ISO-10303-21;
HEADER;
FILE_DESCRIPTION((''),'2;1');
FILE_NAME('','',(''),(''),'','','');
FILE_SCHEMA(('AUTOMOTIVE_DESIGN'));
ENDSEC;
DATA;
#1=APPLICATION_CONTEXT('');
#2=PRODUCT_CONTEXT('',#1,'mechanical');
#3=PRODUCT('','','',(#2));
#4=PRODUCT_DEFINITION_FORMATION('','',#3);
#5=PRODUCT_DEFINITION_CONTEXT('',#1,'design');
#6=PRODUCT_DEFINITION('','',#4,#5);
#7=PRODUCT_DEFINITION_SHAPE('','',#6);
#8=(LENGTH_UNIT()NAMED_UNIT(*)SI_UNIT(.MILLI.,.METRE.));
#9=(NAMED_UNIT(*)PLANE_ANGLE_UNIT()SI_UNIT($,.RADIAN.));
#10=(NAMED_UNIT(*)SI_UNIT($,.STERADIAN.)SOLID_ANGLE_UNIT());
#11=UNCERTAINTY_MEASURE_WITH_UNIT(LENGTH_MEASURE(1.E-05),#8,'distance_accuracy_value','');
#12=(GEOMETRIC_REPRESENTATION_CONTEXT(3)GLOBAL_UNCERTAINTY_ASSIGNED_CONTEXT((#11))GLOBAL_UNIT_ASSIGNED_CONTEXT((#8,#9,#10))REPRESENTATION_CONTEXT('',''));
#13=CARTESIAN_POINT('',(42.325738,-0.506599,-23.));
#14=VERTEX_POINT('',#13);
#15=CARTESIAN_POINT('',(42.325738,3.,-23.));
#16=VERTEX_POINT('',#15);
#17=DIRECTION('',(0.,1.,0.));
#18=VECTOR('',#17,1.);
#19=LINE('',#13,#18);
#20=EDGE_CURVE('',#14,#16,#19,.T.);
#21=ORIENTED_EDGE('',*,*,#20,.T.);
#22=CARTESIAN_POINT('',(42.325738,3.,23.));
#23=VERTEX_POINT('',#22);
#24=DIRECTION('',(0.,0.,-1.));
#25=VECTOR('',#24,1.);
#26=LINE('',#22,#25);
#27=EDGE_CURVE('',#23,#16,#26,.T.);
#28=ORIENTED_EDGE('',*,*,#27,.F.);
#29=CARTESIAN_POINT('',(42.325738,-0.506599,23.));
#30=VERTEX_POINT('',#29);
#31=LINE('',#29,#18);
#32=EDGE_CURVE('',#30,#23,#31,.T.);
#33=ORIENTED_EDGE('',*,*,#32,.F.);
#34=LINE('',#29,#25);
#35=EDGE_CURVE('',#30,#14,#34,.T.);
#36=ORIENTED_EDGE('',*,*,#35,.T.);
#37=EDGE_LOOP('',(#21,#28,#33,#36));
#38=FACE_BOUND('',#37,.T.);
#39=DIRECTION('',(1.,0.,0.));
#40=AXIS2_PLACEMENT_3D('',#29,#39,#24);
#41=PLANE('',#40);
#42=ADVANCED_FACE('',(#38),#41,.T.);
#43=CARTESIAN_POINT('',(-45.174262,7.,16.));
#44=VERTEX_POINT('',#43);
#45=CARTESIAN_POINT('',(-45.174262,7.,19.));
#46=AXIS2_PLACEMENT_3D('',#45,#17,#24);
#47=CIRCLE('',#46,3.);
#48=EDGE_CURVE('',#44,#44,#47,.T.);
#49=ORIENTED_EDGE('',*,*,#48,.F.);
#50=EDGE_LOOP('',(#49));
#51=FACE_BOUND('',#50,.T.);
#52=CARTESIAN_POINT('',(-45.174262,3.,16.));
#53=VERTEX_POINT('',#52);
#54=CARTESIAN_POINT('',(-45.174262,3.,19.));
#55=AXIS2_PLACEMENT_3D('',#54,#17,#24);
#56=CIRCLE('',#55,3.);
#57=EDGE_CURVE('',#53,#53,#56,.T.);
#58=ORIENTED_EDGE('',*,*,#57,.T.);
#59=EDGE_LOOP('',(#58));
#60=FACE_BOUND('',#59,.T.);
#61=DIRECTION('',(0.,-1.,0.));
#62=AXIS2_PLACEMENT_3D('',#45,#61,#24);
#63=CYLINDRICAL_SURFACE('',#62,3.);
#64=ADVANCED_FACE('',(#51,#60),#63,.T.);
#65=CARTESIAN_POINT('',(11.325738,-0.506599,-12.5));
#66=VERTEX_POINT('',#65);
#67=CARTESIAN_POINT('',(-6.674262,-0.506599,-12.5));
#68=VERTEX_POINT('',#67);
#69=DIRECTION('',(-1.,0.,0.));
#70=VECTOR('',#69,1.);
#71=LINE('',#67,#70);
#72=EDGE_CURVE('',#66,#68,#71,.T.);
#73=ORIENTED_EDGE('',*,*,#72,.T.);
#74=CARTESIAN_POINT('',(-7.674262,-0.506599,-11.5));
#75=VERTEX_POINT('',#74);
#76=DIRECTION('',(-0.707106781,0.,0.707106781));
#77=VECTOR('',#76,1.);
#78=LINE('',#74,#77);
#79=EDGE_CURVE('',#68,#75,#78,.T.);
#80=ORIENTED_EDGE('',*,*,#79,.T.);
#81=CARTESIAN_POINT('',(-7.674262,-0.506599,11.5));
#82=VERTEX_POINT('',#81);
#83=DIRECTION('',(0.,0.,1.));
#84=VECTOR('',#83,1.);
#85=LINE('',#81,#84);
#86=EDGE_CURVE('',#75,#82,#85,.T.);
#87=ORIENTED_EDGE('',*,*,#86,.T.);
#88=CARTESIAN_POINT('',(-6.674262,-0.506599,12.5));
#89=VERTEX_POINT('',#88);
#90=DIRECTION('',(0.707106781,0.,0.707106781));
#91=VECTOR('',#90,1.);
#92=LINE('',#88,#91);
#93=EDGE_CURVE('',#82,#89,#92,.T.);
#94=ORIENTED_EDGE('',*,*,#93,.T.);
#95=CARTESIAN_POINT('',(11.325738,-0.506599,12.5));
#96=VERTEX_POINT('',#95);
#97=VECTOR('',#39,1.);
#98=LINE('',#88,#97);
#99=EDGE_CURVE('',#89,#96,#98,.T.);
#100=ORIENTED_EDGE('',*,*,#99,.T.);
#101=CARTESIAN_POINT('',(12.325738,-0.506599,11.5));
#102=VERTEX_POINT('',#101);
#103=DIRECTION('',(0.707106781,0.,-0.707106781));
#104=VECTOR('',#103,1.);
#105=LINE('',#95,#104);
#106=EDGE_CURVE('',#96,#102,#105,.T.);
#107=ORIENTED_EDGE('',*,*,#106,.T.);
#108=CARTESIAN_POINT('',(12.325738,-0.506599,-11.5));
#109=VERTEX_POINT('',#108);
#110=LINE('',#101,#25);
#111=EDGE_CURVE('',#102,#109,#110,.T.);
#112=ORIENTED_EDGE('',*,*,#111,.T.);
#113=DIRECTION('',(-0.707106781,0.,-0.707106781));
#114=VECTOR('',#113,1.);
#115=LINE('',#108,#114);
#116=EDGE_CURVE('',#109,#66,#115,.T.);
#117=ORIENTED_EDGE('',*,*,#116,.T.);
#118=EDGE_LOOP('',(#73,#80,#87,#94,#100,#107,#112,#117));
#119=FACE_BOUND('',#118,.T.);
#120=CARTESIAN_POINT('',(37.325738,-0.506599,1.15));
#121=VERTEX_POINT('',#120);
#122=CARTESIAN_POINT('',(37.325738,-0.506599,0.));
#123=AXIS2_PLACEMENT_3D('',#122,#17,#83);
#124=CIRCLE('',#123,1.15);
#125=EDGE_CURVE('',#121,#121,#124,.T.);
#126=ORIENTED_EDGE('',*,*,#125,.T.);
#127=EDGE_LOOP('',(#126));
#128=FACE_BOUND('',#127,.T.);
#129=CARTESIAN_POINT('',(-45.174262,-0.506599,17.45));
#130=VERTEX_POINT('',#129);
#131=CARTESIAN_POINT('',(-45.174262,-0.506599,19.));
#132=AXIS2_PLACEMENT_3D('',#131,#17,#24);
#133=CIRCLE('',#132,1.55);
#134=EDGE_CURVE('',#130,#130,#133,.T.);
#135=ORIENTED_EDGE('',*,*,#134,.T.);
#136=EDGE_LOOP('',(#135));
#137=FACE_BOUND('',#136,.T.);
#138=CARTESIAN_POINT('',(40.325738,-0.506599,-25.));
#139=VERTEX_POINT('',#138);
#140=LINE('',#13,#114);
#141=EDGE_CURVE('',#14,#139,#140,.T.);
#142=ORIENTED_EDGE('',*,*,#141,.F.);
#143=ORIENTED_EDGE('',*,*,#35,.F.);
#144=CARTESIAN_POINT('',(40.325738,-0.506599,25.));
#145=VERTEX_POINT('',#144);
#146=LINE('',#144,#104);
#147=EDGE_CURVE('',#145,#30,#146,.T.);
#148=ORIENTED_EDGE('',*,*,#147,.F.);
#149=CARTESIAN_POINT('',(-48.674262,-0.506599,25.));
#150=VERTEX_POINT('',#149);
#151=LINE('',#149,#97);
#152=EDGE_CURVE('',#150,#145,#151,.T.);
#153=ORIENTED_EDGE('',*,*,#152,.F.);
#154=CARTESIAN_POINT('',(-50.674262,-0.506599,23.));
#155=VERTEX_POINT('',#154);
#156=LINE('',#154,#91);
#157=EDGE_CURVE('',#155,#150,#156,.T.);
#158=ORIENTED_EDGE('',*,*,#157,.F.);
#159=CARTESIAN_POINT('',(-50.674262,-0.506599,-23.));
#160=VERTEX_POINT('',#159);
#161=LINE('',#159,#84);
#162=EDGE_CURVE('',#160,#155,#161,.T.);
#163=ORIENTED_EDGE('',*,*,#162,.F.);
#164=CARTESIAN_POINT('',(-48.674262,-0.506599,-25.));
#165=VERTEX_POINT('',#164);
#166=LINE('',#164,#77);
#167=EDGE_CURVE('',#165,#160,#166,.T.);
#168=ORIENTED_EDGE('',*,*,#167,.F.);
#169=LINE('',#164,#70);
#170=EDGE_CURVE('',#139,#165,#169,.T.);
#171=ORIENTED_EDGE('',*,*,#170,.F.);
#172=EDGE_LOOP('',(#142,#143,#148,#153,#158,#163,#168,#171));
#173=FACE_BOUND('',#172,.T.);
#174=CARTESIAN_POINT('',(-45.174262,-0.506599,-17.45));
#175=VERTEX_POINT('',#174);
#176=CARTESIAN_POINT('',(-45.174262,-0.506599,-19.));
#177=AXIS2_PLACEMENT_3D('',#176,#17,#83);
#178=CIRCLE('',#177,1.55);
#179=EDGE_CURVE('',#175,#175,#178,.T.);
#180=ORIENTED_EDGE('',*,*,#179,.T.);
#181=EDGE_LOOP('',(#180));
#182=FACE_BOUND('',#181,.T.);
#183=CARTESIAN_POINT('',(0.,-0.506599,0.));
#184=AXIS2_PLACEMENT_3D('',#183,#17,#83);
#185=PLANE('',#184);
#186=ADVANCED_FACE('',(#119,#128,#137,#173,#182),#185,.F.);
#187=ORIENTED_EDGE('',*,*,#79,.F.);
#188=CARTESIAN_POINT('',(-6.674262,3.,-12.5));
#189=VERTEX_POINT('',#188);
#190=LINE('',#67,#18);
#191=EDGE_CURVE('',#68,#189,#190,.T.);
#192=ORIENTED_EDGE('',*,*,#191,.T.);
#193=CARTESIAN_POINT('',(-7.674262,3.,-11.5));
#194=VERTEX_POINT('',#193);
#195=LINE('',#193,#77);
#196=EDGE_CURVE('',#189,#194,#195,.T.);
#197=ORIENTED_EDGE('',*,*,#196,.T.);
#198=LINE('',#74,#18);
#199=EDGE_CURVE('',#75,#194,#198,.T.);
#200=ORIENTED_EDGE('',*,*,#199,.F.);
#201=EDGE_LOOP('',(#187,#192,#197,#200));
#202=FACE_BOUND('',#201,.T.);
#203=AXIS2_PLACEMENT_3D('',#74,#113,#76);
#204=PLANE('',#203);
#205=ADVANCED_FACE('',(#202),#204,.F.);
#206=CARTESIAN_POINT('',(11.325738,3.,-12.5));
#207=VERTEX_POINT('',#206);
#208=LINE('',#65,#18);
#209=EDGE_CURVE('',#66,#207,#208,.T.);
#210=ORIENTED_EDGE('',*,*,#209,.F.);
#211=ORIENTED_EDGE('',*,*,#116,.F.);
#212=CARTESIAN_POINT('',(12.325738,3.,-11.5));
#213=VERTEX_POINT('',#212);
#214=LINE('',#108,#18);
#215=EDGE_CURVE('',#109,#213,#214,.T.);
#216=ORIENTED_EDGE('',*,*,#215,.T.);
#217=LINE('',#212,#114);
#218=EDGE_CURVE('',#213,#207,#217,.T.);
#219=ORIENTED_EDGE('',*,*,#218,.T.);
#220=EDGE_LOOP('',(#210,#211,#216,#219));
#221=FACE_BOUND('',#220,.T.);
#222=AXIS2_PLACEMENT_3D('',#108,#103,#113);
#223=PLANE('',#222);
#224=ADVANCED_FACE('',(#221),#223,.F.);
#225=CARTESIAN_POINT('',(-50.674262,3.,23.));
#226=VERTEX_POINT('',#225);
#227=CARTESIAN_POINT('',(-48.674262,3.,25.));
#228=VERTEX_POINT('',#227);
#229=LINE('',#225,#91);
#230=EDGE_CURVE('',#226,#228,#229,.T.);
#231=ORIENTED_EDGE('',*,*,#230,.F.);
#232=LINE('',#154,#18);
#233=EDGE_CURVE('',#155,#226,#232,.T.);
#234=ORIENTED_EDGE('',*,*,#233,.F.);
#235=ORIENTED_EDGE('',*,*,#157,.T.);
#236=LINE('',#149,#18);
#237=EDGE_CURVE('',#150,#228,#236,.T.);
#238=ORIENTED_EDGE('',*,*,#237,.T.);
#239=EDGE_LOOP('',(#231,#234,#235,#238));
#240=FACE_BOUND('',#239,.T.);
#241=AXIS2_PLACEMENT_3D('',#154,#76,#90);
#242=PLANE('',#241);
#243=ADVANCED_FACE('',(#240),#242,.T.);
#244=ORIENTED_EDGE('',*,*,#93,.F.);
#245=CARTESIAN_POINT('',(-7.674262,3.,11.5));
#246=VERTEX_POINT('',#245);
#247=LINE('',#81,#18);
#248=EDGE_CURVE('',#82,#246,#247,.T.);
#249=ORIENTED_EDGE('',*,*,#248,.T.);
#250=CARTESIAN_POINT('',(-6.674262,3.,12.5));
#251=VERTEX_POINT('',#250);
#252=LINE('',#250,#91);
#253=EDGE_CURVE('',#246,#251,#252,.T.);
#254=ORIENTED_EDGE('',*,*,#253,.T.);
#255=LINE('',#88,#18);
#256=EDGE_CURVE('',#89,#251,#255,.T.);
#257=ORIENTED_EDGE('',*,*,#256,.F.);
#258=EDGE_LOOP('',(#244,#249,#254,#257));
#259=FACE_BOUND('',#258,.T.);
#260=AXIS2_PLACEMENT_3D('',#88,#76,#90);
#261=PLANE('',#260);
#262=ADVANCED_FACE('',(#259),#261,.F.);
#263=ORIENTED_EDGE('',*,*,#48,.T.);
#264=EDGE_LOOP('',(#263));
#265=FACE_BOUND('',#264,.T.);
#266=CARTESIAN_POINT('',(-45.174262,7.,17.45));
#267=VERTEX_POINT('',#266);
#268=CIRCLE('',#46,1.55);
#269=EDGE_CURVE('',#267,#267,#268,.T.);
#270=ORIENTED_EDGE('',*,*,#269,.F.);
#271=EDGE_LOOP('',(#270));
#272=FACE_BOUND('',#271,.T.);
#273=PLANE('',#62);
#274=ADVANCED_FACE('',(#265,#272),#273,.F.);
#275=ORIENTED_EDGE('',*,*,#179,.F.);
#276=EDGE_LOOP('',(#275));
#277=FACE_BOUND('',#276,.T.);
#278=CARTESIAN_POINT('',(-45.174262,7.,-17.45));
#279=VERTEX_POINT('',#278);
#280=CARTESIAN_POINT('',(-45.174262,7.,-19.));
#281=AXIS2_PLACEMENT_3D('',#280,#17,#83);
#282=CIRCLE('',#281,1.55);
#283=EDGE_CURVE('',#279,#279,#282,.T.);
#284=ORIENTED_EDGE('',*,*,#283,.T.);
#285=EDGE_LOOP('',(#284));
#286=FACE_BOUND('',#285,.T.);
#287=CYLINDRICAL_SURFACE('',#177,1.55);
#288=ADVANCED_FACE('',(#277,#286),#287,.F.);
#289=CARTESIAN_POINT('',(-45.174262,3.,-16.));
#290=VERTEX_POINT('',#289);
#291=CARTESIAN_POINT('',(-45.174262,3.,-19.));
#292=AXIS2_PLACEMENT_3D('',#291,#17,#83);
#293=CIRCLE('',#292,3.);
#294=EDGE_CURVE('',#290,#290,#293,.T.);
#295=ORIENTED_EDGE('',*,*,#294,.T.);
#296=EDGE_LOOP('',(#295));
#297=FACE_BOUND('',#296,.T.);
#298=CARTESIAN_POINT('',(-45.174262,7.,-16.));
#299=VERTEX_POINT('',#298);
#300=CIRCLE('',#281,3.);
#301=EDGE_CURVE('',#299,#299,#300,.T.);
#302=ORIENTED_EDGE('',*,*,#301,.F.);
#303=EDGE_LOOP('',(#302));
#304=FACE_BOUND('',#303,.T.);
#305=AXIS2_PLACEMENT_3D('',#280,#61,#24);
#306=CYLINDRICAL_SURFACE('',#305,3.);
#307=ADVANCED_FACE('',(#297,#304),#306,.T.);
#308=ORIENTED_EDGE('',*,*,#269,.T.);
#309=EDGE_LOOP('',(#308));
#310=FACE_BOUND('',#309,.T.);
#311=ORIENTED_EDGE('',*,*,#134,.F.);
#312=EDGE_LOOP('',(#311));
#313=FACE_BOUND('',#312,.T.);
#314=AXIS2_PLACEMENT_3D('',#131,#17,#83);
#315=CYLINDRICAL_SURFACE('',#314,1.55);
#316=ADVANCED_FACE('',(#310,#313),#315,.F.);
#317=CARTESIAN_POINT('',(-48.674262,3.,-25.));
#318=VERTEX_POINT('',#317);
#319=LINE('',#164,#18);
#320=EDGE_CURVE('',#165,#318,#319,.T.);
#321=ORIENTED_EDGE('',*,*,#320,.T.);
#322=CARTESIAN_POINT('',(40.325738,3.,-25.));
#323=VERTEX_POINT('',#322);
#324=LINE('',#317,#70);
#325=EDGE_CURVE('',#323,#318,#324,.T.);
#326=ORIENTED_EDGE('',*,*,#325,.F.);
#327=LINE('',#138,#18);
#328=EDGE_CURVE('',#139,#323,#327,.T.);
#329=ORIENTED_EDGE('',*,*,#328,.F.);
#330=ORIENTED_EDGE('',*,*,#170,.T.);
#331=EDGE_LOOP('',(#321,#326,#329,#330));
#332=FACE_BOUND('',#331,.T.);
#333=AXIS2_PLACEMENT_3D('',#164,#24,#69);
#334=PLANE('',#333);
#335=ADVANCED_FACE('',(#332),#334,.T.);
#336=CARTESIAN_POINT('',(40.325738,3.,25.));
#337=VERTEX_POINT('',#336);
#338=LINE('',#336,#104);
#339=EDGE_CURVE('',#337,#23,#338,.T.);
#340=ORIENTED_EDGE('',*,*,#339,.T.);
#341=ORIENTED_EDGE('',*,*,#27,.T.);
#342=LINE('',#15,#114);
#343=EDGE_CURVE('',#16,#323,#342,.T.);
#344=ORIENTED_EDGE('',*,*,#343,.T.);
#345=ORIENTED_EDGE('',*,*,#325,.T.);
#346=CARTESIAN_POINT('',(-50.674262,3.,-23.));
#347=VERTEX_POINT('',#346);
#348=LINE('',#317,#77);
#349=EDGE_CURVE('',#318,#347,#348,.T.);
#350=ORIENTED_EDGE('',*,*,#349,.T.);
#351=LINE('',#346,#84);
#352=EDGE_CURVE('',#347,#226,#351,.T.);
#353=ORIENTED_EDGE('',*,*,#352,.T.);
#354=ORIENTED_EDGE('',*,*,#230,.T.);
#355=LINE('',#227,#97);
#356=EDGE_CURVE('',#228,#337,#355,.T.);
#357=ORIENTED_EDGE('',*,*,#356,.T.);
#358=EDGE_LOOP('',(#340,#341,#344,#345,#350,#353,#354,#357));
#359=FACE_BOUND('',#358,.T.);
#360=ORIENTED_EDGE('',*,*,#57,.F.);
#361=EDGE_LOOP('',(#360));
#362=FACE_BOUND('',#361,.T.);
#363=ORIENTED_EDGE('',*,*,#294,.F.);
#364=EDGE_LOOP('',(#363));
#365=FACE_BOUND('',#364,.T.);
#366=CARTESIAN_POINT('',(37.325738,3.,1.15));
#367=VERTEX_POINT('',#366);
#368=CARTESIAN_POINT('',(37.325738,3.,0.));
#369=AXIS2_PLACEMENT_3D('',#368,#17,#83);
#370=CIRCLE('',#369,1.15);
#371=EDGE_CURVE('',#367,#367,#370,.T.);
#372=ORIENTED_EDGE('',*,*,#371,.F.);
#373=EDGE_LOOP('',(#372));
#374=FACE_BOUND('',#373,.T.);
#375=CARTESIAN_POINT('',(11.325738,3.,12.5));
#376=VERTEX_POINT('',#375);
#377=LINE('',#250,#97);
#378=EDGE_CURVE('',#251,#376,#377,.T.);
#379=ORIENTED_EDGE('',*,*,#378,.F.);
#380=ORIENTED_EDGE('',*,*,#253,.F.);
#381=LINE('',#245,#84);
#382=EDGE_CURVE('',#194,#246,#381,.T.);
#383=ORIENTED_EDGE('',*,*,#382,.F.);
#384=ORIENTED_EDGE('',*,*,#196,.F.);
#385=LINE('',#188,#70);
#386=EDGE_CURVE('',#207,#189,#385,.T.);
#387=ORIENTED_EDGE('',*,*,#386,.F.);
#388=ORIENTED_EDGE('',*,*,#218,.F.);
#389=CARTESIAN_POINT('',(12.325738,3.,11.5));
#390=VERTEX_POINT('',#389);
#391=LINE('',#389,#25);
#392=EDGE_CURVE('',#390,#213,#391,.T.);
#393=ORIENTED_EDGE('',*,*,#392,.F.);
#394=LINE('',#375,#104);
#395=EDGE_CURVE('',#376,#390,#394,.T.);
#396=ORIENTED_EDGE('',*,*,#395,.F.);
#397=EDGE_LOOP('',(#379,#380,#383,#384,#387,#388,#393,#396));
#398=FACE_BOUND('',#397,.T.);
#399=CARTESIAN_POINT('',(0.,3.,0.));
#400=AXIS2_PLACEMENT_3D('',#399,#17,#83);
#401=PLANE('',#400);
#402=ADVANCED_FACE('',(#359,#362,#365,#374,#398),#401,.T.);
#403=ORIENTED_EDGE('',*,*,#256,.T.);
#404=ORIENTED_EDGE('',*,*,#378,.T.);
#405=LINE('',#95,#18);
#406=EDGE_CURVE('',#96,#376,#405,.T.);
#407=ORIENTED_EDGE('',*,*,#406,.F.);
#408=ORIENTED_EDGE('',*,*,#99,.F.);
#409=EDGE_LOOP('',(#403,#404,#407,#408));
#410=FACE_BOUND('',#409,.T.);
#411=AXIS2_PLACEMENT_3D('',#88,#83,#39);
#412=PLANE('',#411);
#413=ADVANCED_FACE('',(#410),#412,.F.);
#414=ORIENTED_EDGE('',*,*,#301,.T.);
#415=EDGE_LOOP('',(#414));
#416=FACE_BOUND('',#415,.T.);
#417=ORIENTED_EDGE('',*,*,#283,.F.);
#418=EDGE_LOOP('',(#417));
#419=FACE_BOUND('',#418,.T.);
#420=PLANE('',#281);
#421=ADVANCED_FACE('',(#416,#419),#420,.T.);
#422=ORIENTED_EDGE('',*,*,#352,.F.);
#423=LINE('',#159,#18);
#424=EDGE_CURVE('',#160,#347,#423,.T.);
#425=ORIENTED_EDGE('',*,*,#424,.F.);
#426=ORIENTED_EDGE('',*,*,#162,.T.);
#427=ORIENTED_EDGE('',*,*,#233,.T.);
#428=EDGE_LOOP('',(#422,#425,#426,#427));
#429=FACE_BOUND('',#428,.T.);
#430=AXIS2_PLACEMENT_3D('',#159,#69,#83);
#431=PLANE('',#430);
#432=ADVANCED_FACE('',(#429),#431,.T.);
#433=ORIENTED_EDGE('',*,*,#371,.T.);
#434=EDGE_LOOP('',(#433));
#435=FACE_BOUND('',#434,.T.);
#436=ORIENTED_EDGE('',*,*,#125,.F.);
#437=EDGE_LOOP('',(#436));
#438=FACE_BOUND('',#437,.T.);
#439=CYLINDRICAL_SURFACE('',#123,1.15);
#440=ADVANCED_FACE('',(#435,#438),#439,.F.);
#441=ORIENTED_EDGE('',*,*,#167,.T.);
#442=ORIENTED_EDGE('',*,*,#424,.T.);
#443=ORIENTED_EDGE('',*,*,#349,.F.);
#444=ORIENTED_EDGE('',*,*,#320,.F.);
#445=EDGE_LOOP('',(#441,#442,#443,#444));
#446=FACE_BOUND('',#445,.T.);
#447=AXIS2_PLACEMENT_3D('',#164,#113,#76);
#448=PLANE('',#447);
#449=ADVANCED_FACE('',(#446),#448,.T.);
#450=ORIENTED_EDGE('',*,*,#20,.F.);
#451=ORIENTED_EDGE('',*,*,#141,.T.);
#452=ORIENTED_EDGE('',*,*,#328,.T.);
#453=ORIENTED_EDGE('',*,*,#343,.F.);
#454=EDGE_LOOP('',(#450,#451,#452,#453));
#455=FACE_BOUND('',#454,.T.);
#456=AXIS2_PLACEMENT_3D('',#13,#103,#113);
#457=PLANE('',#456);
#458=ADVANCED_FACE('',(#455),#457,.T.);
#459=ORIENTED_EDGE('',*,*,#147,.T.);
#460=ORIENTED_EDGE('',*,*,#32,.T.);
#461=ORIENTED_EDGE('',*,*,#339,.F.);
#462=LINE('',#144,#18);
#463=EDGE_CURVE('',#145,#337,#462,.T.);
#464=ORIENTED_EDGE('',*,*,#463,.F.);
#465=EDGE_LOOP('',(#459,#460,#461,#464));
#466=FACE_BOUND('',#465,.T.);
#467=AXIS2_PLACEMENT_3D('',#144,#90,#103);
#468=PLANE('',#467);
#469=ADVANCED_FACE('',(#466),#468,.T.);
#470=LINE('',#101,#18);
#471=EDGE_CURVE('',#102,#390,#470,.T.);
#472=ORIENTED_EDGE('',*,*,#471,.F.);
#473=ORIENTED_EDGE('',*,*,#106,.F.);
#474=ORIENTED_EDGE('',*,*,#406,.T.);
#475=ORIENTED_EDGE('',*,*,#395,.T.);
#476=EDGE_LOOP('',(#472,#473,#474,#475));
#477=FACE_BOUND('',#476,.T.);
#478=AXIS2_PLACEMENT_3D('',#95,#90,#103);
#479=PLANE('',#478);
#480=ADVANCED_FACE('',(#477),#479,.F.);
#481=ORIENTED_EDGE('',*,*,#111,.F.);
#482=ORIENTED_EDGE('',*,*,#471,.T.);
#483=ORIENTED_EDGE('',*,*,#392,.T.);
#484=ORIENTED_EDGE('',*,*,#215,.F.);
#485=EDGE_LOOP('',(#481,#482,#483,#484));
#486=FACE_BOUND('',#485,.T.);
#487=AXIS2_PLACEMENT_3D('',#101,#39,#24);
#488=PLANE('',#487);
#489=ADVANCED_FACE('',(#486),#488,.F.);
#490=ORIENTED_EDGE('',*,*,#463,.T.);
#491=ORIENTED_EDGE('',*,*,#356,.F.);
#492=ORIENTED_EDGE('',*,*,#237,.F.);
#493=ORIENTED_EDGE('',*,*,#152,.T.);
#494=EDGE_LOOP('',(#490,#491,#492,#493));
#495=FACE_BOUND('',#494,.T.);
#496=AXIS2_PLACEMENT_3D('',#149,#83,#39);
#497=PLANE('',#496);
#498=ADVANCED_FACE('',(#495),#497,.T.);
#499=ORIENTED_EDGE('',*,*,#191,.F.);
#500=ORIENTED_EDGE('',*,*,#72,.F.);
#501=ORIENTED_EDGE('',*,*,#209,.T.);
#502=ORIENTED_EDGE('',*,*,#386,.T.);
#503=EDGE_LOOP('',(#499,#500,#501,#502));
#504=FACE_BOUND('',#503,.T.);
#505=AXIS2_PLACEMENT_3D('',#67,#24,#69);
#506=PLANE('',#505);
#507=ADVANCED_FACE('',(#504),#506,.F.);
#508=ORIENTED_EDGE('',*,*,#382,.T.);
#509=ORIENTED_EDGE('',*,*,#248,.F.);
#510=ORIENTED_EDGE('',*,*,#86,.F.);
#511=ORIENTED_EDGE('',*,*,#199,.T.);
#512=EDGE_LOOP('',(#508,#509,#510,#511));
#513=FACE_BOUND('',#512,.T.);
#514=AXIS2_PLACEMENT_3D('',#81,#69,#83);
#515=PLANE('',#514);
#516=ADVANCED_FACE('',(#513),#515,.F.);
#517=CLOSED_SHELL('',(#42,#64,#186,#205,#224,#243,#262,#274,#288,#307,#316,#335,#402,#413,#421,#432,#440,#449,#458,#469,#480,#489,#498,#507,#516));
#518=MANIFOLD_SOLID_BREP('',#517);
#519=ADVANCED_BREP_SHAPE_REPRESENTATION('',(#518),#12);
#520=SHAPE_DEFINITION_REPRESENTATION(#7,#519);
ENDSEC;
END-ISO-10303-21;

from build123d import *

# Parameters (mm, degrees)
SKETCH1_R                = 1.15
SKETCH1_R_2              = 1.55
BOSS_EXTRUDE1_DEPTH      = 3
BOSS_EXTRUDE1_DEPTH_BACK = 0.506598952
SKETCH2_R                = 3
SKETCH2_R_2              = 1.55
BOSS_EXTRUDE2_DEPTH      = 4


with BuildPart() as part:
    # Sketch1 → Boss-Extrude1 (new body, two sides)
    with BuildSketch(Plane(origin=(0, 0, 0), x_dir=(1, 0, 0), z_dir=(0, 1, 0))) as boss_extrude1_sk:
        Polygon((-48.674262421, -25), (40.325737579, -25), (42.325737579, -23), (42.325737579, 23), (40.325737579, 25), (-48.674262421, 25), (-50.674262421, 23), (-50.674262421, -23), align=None)
        with Locations((37.325737579, 0)):
            Circle(SKETCH1_R, mode=Mode.SUBTRACT)
        with Locations((-45.174262421, 19)):
            Circle(SKETCH1_R_2, mode=Mode.SUBTRACT)
        with Locations((-45.174262421, -19)):
            Circle(SKETCH1_R_2, mode=Mode.SUBTRACT)
        Polygon((-6.674262421, -12.5), (11.325737579, -12.5), (12.325737579, -11.5), (12.325737579, 11.5), (11.325737579, 12.5), (-6.674262421, 12.5), (-7.674262421, 11.5), (-7.674262421, -11.5), align=None, mode=Mode.SUBTRACT)
    extrude(amount=BOSS_EXTRUDE1_DEPTH)
    extrude(boss_extrude1_sk.sketch, amount=-BOSS_EXTRUDE1_DEPTH_BACK)

    # Sketch2 → Boss-Extrude2 (add)
    with BuildSketch(Plane(origin=(0, 3, 0), x_dir=(1, 0, 0), z_dir=(0, 1, 0))):
        with Locations((-45.174262421, 19)):
            Circle(SKETCH2_R)
        with Locations((-45.174262421, 19)):
            Circle(SKETCH2_R_2, mode=Mode.SUBTRACT)
        with Locations((-45.174262421, -19)):
            Circle(SKETCH2_R)
        with Locations((-45.174262421, -19)):
            Circle(SKETCH2_R_2, mode=Mode.SUBTRACT)
    extrude(amount=BOSS_EXTRUDE2_DEPTH)


solid = part.part
